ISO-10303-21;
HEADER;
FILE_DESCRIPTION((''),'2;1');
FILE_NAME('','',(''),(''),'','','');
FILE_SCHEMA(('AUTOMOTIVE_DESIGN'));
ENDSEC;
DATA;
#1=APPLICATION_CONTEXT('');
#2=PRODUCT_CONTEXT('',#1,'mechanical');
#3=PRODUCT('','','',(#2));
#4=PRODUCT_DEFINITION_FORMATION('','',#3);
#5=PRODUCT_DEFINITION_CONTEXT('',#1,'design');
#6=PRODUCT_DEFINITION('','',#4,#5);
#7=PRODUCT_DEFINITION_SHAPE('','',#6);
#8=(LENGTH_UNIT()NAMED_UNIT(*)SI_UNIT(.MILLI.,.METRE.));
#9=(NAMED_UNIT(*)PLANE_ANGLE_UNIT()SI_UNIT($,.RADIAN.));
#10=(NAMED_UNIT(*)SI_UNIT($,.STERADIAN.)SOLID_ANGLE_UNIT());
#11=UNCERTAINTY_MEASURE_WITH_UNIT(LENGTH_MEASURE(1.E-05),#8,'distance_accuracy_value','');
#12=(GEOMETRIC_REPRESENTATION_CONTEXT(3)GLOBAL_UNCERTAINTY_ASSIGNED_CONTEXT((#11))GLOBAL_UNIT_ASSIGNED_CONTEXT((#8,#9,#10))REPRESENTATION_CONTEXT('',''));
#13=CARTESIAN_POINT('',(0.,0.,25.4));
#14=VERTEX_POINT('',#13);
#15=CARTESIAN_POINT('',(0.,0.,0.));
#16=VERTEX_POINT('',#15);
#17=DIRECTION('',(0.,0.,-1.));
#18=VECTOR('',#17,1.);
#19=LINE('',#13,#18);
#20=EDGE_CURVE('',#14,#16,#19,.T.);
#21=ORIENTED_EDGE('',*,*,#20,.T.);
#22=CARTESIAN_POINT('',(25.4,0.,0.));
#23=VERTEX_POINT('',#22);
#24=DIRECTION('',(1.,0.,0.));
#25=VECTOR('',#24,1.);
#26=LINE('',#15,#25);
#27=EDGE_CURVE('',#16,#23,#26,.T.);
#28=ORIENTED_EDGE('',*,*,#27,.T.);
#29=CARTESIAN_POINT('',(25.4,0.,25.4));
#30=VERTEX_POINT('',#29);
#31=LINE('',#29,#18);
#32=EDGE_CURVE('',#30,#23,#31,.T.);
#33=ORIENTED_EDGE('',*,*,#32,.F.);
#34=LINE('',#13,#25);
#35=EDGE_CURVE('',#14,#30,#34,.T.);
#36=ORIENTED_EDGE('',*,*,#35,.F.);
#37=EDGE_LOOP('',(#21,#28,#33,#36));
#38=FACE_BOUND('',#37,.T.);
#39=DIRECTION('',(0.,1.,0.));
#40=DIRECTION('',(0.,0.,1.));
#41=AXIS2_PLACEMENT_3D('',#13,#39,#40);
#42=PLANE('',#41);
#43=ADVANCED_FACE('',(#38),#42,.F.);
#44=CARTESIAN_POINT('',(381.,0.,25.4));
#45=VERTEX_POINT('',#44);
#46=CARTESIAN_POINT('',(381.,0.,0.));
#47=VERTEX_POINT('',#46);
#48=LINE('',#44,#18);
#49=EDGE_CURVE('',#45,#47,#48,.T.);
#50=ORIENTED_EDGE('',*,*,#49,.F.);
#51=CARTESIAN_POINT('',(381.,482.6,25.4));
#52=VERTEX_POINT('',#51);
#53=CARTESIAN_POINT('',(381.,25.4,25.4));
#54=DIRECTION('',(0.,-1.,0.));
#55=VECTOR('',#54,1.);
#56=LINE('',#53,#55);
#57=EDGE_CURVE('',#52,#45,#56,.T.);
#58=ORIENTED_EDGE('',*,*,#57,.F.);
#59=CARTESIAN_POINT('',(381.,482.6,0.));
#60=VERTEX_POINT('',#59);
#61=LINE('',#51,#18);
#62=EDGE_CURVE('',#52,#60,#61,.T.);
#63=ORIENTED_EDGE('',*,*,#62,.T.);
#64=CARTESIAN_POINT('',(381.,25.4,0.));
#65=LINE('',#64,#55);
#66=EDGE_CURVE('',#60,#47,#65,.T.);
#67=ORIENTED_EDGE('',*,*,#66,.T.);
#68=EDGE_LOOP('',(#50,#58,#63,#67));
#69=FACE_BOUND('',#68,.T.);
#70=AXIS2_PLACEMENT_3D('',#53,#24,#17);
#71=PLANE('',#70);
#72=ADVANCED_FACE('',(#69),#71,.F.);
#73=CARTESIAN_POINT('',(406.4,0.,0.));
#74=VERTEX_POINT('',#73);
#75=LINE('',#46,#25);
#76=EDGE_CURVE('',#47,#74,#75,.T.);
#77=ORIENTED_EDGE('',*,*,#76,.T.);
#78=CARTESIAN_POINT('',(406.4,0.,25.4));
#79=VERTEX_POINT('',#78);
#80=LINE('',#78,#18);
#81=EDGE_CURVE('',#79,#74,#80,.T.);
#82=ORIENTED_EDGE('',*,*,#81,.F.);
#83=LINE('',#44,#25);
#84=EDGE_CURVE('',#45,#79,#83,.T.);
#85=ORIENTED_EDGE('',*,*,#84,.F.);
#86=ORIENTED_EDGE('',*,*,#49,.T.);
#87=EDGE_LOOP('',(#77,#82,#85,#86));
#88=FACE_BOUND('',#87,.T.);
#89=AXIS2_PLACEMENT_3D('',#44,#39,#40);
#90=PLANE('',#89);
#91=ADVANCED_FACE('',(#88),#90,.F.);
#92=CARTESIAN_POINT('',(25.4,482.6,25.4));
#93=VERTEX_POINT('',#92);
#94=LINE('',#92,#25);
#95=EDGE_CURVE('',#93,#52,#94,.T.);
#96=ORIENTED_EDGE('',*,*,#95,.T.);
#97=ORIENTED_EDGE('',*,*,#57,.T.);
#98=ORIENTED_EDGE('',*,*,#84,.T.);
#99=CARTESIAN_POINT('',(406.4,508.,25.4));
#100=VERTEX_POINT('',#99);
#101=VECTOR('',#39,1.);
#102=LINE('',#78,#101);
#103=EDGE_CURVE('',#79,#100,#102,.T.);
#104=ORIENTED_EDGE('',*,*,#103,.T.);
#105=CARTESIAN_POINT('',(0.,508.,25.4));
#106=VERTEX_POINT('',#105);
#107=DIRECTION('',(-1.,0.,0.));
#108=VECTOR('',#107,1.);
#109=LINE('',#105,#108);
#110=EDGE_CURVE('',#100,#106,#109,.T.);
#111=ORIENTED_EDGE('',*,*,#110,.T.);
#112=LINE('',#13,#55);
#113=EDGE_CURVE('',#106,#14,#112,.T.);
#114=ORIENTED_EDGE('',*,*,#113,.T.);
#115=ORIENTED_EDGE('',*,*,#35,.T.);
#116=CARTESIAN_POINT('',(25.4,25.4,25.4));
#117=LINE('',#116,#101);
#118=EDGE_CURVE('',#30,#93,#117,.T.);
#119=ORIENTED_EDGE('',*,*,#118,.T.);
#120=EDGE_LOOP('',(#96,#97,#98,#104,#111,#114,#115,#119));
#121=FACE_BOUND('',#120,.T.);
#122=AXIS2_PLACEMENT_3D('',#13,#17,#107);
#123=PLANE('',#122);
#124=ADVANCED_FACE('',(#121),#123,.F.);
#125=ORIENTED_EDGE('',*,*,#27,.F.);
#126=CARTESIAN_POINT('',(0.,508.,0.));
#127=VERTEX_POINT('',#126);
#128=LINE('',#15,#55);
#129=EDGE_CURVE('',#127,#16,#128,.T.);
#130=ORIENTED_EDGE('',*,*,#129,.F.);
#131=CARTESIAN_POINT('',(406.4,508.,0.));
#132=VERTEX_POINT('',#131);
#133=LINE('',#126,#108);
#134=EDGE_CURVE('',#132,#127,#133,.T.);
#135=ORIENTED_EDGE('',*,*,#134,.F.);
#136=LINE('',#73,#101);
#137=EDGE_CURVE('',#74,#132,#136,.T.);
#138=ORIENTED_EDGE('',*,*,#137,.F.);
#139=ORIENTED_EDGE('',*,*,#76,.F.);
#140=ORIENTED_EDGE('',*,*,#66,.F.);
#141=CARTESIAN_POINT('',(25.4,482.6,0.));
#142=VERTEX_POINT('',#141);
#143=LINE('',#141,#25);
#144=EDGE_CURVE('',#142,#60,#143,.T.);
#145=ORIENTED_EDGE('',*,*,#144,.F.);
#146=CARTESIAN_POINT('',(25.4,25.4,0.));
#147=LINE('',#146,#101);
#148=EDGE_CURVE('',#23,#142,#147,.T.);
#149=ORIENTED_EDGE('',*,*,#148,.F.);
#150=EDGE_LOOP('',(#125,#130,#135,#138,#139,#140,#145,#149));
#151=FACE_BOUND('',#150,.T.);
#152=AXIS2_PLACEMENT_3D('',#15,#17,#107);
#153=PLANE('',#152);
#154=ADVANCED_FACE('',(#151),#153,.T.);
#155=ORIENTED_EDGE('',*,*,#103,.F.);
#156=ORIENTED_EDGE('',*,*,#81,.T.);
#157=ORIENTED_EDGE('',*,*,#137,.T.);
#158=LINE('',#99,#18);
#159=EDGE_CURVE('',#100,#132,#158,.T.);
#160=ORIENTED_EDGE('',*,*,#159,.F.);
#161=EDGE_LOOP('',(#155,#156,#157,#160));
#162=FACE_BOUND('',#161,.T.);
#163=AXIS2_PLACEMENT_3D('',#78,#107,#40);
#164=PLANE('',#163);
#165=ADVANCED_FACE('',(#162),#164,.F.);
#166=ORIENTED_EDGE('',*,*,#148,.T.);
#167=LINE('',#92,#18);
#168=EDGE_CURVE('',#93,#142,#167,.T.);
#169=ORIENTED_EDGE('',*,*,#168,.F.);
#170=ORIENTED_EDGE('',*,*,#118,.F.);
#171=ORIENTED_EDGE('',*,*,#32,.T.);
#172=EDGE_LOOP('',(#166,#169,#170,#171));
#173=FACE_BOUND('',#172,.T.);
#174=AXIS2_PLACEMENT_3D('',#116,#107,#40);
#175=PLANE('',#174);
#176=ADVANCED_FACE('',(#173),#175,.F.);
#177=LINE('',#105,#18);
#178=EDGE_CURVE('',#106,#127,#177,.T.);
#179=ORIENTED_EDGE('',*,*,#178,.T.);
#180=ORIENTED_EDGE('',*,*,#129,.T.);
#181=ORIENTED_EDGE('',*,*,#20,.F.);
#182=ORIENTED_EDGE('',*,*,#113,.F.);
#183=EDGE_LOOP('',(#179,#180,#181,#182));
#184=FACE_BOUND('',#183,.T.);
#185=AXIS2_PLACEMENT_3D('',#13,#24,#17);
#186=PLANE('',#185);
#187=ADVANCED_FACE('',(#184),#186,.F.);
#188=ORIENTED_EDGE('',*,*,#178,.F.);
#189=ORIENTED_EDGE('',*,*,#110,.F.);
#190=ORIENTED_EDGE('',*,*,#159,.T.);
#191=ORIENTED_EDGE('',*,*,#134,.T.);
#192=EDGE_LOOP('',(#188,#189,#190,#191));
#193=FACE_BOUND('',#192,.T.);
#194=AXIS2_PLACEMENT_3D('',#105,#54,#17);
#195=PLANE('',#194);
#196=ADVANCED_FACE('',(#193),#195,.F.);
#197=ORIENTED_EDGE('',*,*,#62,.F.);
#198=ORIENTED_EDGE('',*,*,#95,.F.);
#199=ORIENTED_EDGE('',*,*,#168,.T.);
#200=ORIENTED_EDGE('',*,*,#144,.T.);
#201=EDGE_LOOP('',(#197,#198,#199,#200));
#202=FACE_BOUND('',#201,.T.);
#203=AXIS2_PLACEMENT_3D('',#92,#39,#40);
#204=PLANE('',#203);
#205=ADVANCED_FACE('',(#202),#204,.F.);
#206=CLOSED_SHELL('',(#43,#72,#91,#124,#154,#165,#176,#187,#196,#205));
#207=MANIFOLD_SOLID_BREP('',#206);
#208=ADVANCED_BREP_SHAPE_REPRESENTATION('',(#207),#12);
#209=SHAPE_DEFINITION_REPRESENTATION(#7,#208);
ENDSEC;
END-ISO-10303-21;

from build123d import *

# Parameters (mm, degrees)
BOSS_EXTRUDE1_DEPTH = 25.4


with BuildPart() as part:
    # Sketch2 → Boss-Extrude1 (new body)
    with BuildSketch(Plane.XY):
        Polygon((25.4, 482.6), (381, 482.6), (381, 25.4), (381, 0), (406.4, 0), (406.4, 508), (0, 508), (0, 0), (25.4, 0), (25.4, 25.4), align=None)
    extrude(amount=BOSS_EXTRUDE1_DEPTH)


solid = part.part
